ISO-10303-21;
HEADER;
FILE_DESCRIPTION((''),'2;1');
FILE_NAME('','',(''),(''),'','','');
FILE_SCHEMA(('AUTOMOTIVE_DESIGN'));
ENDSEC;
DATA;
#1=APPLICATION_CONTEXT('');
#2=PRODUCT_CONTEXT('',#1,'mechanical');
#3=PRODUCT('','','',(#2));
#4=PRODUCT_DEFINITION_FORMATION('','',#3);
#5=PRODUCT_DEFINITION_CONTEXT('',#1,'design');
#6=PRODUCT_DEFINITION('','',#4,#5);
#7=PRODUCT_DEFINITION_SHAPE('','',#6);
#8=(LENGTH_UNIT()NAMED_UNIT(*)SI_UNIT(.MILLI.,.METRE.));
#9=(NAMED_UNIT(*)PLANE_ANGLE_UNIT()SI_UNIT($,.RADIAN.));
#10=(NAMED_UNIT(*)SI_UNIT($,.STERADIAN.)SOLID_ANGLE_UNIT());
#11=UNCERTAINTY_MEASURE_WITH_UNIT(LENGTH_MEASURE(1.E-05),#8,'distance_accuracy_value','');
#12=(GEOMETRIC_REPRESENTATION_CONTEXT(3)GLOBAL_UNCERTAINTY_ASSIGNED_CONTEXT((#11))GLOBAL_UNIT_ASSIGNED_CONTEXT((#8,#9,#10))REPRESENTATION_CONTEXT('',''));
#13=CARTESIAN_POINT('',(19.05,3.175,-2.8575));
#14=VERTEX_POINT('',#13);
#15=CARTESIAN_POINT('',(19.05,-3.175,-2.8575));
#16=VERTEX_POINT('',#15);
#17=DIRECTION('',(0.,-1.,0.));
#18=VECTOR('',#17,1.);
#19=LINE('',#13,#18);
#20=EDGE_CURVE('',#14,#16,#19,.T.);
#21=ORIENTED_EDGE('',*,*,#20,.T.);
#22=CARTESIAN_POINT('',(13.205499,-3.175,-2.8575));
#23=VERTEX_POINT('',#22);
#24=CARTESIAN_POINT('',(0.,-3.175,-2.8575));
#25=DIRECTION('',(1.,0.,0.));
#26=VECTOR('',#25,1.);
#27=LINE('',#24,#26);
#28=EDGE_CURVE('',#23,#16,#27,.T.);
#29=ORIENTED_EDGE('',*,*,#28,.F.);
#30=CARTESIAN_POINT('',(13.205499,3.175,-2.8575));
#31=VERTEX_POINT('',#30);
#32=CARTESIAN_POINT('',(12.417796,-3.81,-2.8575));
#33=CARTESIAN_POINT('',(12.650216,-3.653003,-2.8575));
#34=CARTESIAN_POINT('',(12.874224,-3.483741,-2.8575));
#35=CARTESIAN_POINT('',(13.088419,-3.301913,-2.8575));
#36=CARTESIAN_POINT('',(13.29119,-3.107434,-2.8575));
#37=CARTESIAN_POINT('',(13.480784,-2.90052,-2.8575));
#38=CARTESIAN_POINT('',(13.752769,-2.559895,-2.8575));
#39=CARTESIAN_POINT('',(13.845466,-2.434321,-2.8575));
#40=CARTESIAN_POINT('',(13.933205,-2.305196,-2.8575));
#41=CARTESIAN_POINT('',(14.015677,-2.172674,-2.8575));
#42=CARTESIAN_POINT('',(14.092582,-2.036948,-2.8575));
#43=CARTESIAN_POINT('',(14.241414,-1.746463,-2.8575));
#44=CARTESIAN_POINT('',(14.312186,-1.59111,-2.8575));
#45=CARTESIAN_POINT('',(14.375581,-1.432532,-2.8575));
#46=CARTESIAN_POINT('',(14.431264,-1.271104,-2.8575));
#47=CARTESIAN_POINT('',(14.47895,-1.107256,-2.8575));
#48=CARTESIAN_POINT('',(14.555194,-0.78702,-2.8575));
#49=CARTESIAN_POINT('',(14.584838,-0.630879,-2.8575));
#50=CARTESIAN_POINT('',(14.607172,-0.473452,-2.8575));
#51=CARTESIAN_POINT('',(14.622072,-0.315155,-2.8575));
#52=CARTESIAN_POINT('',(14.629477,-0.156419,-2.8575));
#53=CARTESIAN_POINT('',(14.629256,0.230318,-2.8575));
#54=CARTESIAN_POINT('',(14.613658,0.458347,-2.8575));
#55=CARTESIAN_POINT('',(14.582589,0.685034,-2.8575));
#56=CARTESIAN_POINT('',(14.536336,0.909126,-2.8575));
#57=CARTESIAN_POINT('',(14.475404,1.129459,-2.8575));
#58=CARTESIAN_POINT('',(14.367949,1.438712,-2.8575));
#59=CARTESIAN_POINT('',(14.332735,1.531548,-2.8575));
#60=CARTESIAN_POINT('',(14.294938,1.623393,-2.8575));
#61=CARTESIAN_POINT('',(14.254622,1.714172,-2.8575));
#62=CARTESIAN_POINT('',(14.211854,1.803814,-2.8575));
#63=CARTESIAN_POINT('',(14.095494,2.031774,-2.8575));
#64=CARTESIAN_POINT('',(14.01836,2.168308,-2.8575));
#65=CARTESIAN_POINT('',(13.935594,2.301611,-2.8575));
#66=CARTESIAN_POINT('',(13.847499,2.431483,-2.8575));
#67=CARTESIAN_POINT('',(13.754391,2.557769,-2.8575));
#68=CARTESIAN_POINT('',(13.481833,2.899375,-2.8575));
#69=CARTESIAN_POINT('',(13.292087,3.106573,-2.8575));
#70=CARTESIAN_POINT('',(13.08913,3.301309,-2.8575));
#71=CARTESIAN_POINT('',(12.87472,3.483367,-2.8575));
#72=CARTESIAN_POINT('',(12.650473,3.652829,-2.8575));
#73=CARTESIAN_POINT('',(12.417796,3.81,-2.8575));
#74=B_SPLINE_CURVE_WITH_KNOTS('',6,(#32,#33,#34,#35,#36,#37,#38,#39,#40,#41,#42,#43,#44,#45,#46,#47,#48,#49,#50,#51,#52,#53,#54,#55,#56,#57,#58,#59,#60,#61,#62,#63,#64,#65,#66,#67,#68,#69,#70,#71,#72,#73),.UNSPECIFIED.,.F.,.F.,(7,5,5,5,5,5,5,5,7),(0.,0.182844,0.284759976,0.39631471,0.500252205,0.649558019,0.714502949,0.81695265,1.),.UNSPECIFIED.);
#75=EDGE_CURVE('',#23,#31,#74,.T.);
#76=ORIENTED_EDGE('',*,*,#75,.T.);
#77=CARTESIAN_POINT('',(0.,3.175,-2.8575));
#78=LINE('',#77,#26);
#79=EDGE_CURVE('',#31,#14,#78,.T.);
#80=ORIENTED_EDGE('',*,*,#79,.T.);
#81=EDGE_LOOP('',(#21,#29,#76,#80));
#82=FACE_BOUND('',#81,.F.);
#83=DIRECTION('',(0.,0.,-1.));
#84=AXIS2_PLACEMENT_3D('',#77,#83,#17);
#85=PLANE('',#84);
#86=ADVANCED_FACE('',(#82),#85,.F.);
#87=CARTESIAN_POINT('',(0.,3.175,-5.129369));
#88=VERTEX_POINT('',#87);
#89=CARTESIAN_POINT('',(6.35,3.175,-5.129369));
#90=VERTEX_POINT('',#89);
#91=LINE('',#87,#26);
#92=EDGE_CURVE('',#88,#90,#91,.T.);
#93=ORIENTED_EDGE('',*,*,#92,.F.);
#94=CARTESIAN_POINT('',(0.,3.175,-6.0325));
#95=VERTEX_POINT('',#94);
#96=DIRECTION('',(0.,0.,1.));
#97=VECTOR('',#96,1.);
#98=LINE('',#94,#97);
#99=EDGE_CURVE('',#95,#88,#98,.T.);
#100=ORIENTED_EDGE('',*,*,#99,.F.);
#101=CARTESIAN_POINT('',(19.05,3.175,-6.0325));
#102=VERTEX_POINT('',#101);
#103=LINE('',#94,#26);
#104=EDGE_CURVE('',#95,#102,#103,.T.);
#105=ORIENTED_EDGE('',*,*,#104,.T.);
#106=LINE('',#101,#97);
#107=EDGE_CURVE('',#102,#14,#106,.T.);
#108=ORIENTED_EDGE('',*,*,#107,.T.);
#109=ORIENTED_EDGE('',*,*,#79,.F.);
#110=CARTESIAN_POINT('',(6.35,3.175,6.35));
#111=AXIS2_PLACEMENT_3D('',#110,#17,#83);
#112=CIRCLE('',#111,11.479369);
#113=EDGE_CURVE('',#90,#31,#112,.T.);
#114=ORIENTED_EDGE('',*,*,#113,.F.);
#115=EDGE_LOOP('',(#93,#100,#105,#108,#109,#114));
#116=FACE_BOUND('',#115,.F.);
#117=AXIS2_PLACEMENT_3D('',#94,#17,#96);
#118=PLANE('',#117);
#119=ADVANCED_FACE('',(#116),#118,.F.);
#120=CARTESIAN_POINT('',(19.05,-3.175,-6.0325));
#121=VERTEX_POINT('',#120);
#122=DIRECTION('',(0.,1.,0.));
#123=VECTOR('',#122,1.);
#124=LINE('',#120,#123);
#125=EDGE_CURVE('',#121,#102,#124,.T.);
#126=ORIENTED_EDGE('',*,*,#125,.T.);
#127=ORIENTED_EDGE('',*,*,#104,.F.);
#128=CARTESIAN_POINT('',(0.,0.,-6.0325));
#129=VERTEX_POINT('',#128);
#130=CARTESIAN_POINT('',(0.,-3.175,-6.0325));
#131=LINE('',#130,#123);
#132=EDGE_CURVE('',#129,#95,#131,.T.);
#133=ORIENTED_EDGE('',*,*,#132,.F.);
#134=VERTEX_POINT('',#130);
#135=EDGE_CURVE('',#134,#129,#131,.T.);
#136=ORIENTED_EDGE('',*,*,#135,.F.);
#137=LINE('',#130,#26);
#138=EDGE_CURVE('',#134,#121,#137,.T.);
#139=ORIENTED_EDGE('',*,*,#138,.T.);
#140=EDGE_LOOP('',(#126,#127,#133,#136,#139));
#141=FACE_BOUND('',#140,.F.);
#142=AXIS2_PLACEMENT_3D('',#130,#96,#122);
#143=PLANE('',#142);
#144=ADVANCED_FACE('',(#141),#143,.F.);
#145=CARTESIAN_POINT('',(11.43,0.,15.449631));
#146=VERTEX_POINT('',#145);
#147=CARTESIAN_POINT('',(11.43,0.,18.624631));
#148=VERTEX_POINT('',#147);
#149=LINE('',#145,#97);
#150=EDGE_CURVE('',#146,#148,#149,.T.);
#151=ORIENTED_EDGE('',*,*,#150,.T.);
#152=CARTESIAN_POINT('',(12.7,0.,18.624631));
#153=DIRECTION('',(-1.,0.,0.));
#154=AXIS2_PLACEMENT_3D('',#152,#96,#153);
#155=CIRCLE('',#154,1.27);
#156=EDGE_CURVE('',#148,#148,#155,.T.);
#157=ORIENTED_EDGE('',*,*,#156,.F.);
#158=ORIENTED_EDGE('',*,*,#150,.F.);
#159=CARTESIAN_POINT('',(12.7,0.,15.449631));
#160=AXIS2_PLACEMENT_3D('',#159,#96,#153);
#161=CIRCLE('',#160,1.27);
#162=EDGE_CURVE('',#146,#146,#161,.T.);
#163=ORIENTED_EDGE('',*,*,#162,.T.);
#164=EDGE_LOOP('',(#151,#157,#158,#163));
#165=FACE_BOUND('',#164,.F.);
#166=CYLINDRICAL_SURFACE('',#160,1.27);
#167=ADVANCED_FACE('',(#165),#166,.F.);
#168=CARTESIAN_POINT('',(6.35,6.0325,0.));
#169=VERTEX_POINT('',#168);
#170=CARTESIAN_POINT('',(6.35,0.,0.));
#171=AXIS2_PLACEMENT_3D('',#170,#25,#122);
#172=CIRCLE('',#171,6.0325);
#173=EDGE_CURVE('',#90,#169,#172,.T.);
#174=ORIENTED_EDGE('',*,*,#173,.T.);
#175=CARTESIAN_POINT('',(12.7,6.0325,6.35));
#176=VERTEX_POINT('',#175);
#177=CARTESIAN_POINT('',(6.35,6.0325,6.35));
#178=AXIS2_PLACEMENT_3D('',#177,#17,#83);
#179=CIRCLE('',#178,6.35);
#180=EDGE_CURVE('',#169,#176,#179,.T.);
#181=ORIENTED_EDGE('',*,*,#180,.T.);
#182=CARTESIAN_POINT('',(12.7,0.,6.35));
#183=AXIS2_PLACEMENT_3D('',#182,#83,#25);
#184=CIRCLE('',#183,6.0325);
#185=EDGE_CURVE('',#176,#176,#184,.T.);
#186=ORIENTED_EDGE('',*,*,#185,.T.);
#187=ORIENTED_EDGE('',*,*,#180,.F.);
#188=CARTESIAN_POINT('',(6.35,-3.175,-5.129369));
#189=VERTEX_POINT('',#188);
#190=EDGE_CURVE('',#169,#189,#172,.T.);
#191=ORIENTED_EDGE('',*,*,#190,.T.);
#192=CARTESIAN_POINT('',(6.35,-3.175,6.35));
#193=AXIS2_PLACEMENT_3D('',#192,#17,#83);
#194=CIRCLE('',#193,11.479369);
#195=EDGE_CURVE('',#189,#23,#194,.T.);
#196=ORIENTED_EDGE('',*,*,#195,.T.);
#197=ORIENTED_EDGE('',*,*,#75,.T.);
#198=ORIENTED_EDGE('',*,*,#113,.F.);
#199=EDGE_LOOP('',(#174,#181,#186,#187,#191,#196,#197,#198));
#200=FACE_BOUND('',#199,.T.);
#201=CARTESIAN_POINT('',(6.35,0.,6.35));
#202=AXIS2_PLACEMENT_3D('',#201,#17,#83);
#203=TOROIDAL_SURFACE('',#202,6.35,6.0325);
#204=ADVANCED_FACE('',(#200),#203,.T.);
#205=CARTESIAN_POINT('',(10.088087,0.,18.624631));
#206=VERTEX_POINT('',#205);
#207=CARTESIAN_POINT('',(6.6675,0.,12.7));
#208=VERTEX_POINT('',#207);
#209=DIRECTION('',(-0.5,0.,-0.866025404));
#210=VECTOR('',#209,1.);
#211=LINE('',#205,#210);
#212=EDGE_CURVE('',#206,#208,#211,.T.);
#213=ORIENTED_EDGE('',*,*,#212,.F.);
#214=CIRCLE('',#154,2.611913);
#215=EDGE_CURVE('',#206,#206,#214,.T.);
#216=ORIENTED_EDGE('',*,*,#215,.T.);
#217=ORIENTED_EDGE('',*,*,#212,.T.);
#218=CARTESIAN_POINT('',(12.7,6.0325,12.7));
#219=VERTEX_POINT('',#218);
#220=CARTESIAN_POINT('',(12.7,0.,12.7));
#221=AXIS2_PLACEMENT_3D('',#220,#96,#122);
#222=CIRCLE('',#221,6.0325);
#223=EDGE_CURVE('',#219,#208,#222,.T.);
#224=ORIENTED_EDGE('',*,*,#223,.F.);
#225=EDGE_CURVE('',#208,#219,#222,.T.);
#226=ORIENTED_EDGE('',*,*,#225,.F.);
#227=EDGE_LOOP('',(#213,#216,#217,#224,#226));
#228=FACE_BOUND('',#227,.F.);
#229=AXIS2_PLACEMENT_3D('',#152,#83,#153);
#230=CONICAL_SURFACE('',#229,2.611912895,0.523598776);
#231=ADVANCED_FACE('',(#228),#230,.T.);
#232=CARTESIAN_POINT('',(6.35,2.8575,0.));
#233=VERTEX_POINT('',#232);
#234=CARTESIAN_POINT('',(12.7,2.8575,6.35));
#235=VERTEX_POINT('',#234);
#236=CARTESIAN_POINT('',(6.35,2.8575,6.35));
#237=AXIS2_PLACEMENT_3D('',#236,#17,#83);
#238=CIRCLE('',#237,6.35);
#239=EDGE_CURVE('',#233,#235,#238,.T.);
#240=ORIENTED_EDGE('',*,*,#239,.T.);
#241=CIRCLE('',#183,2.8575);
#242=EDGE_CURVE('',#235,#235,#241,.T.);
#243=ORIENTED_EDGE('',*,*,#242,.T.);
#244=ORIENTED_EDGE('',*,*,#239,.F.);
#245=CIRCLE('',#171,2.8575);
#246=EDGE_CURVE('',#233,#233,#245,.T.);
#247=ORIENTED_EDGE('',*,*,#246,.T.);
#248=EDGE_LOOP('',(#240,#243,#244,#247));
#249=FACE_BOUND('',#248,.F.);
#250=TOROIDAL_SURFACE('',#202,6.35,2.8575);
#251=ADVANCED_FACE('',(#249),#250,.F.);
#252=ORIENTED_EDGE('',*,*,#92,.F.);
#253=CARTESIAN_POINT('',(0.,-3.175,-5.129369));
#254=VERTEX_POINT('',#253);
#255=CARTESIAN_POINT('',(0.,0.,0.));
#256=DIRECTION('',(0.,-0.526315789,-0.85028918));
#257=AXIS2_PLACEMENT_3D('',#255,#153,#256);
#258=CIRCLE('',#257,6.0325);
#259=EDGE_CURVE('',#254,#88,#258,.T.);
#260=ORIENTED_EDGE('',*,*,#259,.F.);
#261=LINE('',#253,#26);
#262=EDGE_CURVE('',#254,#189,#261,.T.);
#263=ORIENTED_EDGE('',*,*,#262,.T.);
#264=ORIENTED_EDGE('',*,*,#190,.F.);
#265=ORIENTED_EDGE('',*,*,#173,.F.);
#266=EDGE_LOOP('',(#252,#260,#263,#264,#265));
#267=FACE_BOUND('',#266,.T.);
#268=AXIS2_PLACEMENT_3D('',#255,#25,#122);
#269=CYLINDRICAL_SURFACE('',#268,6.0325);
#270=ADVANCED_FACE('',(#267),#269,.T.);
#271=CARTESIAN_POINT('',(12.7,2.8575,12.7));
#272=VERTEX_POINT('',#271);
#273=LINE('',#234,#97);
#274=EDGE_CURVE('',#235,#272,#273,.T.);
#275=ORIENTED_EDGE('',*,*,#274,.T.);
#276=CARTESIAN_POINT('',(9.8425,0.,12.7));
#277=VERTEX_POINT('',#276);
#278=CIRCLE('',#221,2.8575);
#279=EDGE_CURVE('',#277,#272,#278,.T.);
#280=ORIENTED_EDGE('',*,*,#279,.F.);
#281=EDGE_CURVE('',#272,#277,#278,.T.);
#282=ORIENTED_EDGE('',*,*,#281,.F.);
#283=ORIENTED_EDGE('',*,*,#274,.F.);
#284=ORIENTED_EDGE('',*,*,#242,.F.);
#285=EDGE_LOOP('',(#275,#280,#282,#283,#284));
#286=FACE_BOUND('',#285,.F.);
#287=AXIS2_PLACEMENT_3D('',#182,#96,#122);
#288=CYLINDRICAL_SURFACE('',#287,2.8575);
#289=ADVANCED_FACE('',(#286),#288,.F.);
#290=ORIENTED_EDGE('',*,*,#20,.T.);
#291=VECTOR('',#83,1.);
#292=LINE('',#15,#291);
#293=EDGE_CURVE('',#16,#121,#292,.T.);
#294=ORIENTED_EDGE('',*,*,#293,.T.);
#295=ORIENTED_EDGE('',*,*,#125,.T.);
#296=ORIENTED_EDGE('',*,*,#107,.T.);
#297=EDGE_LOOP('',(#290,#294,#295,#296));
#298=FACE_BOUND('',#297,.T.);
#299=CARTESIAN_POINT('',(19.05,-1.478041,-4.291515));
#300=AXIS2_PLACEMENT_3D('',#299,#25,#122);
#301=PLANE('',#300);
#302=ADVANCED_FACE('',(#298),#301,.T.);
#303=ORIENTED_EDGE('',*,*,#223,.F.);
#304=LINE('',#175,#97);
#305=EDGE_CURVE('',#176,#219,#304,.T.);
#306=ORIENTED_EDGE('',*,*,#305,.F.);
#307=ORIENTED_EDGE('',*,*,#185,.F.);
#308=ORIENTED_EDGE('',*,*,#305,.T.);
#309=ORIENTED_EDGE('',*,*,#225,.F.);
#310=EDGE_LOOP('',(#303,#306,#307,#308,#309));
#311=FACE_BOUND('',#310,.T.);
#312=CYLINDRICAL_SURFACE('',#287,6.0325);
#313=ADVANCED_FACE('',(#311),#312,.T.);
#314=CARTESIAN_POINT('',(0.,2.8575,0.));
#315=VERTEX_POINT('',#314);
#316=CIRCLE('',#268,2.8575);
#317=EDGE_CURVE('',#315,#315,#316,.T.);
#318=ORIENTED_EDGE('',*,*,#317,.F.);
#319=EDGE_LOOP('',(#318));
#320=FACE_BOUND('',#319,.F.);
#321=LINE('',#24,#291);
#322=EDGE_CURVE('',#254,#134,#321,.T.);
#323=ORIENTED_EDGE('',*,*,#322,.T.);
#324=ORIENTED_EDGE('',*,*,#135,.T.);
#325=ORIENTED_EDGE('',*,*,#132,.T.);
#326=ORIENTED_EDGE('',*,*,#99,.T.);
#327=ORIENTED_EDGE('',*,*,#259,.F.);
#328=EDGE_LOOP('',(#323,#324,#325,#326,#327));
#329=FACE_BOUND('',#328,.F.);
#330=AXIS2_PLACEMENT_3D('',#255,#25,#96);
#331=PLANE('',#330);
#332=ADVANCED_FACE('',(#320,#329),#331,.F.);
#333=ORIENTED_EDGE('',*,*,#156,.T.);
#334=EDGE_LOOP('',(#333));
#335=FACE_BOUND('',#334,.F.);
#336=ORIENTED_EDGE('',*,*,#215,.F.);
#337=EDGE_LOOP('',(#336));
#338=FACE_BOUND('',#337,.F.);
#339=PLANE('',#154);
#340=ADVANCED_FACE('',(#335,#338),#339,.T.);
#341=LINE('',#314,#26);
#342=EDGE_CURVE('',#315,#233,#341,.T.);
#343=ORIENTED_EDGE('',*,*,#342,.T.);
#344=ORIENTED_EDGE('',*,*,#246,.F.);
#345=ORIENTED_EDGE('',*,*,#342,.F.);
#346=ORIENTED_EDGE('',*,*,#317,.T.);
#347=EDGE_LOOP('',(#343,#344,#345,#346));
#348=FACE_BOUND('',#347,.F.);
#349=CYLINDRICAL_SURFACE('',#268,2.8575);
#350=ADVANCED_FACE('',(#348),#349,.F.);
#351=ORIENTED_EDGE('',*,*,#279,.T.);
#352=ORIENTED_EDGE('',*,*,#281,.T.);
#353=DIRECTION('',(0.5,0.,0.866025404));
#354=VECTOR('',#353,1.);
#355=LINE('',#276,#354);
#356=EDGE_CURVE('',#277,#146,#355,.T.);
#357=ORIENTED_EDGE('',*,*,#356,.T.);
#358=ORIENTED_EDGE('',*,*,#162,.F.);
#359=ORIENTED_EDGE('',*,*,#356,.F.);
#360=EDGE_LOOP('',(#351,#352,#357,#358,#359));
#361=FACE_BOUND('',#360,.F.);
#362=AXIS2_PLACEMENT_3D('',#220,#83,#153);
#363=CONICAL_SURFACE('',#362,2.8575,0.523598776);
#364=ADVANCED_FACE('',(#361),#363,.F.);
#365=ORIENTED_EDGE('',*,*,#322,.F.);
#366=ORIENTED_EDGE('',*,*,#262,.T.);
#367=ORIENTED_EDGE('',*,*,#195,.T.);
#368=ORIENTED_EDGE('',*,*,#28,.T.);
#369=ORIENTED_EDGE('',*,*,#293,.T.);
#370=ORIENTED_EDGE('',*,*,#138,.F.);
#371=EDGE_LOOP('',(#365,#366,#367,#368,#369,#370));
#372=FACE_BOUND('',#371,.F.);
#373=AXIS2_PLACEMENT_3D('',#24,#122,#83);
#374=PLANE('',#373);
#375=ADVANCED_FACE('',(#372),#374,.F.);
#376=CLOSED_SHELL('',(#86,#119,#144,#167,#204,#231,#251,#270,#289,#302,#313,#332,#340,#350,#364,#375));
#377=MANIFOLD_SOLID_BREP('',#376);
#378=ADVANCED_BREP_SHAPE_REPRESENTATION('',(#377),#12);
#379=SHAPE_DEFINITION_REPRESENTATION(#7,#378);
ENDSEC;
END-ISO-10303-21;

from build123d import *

# Parameters (mm, degrees)
F0_R     = 6.0325
F0_R_2   = 2.8575
F6_DEPTH = 19.05


with BuildPart() as f2:
    # F2: sweep along a path in F1
    with BuildLine(Plane.XZ) as f2_path:
        Line((0, 0), (6.35, 0))
        ThreePointArc((6.35, 0), (10.8401280605, 1.8598719395), (12.7, 6.35))
        Line((12.7, 6.35), (12.7, 12.7))
    # F0 (on Right) → F2 (sweep)
    with BuildSketch(Plane.YZ):
        Circle(F0_R)
        Circle(F0_R_2, mode=Mode.SUBTRACT)
    sweep(path=f2_path.line)

    # F3 (on Front) → F4 (revolve)
    with BuildSketch(Plane.XZ):
        Polygon((10.0880871047, 18.624630657), (6.6675, 12.7), (9.8425, 12.7), (11.43, 15.449630657), (11.43, 18.624630657), align=None)
    revolve(axis=Axis((12.7, 0, 16.4198061287), (0, 0, 1)))

    # F5 (on Right) → F6 (join)
    with BuildSketch(Plane.YZ):
        with BuildLine():
            Line((0, -6.0325), (0, -2.8575))
            Line((0, -2.8575), (-3.175, -2.8575))
            Line((-3.175, -2.8575), (-3.175, -5.1293694788))
            ThreePointArc((-3.175, -5.1293694788), (-1.6504749118, -5.8023261556), (0, -6.0325))
        make_face()
        with BuildLine():
            Line((3.175, -2.8575), (0, -2.8575))
            Line((0, -2.8575), (0, -6.0325))
            ThreePointArc((0, -6.0325), (1.6504749118, -5.8023261556), (3.175, -5.1293694788))
            Line((3.175, -5.1293694788), (3.175, -2.8575))
        make_face()
        with BuildLine():
            ThreePointArc((3.175, -5.1293694788), (1.6504749118, -5.8023261556), (0, -6.0325))
            Line((0, -6.0325), (3.175, -6.0325))
            Line((3.175, -6.0325), (3.175, -5.1293694788))
        make_face()
        with BuildLine():
            Line((-3.175, -6.0325), (0, -6.0325))
            ThreePointArc((0, -6.0325), (-1.6504749118, -5.8023261556), (-3.175, -5.1293694788))
            Line((-3.175, -5.1293694788), (-3.175, -6.0325))
        make_face()
    extrude(amount=F6_DEPTH)


solid = f2.part
